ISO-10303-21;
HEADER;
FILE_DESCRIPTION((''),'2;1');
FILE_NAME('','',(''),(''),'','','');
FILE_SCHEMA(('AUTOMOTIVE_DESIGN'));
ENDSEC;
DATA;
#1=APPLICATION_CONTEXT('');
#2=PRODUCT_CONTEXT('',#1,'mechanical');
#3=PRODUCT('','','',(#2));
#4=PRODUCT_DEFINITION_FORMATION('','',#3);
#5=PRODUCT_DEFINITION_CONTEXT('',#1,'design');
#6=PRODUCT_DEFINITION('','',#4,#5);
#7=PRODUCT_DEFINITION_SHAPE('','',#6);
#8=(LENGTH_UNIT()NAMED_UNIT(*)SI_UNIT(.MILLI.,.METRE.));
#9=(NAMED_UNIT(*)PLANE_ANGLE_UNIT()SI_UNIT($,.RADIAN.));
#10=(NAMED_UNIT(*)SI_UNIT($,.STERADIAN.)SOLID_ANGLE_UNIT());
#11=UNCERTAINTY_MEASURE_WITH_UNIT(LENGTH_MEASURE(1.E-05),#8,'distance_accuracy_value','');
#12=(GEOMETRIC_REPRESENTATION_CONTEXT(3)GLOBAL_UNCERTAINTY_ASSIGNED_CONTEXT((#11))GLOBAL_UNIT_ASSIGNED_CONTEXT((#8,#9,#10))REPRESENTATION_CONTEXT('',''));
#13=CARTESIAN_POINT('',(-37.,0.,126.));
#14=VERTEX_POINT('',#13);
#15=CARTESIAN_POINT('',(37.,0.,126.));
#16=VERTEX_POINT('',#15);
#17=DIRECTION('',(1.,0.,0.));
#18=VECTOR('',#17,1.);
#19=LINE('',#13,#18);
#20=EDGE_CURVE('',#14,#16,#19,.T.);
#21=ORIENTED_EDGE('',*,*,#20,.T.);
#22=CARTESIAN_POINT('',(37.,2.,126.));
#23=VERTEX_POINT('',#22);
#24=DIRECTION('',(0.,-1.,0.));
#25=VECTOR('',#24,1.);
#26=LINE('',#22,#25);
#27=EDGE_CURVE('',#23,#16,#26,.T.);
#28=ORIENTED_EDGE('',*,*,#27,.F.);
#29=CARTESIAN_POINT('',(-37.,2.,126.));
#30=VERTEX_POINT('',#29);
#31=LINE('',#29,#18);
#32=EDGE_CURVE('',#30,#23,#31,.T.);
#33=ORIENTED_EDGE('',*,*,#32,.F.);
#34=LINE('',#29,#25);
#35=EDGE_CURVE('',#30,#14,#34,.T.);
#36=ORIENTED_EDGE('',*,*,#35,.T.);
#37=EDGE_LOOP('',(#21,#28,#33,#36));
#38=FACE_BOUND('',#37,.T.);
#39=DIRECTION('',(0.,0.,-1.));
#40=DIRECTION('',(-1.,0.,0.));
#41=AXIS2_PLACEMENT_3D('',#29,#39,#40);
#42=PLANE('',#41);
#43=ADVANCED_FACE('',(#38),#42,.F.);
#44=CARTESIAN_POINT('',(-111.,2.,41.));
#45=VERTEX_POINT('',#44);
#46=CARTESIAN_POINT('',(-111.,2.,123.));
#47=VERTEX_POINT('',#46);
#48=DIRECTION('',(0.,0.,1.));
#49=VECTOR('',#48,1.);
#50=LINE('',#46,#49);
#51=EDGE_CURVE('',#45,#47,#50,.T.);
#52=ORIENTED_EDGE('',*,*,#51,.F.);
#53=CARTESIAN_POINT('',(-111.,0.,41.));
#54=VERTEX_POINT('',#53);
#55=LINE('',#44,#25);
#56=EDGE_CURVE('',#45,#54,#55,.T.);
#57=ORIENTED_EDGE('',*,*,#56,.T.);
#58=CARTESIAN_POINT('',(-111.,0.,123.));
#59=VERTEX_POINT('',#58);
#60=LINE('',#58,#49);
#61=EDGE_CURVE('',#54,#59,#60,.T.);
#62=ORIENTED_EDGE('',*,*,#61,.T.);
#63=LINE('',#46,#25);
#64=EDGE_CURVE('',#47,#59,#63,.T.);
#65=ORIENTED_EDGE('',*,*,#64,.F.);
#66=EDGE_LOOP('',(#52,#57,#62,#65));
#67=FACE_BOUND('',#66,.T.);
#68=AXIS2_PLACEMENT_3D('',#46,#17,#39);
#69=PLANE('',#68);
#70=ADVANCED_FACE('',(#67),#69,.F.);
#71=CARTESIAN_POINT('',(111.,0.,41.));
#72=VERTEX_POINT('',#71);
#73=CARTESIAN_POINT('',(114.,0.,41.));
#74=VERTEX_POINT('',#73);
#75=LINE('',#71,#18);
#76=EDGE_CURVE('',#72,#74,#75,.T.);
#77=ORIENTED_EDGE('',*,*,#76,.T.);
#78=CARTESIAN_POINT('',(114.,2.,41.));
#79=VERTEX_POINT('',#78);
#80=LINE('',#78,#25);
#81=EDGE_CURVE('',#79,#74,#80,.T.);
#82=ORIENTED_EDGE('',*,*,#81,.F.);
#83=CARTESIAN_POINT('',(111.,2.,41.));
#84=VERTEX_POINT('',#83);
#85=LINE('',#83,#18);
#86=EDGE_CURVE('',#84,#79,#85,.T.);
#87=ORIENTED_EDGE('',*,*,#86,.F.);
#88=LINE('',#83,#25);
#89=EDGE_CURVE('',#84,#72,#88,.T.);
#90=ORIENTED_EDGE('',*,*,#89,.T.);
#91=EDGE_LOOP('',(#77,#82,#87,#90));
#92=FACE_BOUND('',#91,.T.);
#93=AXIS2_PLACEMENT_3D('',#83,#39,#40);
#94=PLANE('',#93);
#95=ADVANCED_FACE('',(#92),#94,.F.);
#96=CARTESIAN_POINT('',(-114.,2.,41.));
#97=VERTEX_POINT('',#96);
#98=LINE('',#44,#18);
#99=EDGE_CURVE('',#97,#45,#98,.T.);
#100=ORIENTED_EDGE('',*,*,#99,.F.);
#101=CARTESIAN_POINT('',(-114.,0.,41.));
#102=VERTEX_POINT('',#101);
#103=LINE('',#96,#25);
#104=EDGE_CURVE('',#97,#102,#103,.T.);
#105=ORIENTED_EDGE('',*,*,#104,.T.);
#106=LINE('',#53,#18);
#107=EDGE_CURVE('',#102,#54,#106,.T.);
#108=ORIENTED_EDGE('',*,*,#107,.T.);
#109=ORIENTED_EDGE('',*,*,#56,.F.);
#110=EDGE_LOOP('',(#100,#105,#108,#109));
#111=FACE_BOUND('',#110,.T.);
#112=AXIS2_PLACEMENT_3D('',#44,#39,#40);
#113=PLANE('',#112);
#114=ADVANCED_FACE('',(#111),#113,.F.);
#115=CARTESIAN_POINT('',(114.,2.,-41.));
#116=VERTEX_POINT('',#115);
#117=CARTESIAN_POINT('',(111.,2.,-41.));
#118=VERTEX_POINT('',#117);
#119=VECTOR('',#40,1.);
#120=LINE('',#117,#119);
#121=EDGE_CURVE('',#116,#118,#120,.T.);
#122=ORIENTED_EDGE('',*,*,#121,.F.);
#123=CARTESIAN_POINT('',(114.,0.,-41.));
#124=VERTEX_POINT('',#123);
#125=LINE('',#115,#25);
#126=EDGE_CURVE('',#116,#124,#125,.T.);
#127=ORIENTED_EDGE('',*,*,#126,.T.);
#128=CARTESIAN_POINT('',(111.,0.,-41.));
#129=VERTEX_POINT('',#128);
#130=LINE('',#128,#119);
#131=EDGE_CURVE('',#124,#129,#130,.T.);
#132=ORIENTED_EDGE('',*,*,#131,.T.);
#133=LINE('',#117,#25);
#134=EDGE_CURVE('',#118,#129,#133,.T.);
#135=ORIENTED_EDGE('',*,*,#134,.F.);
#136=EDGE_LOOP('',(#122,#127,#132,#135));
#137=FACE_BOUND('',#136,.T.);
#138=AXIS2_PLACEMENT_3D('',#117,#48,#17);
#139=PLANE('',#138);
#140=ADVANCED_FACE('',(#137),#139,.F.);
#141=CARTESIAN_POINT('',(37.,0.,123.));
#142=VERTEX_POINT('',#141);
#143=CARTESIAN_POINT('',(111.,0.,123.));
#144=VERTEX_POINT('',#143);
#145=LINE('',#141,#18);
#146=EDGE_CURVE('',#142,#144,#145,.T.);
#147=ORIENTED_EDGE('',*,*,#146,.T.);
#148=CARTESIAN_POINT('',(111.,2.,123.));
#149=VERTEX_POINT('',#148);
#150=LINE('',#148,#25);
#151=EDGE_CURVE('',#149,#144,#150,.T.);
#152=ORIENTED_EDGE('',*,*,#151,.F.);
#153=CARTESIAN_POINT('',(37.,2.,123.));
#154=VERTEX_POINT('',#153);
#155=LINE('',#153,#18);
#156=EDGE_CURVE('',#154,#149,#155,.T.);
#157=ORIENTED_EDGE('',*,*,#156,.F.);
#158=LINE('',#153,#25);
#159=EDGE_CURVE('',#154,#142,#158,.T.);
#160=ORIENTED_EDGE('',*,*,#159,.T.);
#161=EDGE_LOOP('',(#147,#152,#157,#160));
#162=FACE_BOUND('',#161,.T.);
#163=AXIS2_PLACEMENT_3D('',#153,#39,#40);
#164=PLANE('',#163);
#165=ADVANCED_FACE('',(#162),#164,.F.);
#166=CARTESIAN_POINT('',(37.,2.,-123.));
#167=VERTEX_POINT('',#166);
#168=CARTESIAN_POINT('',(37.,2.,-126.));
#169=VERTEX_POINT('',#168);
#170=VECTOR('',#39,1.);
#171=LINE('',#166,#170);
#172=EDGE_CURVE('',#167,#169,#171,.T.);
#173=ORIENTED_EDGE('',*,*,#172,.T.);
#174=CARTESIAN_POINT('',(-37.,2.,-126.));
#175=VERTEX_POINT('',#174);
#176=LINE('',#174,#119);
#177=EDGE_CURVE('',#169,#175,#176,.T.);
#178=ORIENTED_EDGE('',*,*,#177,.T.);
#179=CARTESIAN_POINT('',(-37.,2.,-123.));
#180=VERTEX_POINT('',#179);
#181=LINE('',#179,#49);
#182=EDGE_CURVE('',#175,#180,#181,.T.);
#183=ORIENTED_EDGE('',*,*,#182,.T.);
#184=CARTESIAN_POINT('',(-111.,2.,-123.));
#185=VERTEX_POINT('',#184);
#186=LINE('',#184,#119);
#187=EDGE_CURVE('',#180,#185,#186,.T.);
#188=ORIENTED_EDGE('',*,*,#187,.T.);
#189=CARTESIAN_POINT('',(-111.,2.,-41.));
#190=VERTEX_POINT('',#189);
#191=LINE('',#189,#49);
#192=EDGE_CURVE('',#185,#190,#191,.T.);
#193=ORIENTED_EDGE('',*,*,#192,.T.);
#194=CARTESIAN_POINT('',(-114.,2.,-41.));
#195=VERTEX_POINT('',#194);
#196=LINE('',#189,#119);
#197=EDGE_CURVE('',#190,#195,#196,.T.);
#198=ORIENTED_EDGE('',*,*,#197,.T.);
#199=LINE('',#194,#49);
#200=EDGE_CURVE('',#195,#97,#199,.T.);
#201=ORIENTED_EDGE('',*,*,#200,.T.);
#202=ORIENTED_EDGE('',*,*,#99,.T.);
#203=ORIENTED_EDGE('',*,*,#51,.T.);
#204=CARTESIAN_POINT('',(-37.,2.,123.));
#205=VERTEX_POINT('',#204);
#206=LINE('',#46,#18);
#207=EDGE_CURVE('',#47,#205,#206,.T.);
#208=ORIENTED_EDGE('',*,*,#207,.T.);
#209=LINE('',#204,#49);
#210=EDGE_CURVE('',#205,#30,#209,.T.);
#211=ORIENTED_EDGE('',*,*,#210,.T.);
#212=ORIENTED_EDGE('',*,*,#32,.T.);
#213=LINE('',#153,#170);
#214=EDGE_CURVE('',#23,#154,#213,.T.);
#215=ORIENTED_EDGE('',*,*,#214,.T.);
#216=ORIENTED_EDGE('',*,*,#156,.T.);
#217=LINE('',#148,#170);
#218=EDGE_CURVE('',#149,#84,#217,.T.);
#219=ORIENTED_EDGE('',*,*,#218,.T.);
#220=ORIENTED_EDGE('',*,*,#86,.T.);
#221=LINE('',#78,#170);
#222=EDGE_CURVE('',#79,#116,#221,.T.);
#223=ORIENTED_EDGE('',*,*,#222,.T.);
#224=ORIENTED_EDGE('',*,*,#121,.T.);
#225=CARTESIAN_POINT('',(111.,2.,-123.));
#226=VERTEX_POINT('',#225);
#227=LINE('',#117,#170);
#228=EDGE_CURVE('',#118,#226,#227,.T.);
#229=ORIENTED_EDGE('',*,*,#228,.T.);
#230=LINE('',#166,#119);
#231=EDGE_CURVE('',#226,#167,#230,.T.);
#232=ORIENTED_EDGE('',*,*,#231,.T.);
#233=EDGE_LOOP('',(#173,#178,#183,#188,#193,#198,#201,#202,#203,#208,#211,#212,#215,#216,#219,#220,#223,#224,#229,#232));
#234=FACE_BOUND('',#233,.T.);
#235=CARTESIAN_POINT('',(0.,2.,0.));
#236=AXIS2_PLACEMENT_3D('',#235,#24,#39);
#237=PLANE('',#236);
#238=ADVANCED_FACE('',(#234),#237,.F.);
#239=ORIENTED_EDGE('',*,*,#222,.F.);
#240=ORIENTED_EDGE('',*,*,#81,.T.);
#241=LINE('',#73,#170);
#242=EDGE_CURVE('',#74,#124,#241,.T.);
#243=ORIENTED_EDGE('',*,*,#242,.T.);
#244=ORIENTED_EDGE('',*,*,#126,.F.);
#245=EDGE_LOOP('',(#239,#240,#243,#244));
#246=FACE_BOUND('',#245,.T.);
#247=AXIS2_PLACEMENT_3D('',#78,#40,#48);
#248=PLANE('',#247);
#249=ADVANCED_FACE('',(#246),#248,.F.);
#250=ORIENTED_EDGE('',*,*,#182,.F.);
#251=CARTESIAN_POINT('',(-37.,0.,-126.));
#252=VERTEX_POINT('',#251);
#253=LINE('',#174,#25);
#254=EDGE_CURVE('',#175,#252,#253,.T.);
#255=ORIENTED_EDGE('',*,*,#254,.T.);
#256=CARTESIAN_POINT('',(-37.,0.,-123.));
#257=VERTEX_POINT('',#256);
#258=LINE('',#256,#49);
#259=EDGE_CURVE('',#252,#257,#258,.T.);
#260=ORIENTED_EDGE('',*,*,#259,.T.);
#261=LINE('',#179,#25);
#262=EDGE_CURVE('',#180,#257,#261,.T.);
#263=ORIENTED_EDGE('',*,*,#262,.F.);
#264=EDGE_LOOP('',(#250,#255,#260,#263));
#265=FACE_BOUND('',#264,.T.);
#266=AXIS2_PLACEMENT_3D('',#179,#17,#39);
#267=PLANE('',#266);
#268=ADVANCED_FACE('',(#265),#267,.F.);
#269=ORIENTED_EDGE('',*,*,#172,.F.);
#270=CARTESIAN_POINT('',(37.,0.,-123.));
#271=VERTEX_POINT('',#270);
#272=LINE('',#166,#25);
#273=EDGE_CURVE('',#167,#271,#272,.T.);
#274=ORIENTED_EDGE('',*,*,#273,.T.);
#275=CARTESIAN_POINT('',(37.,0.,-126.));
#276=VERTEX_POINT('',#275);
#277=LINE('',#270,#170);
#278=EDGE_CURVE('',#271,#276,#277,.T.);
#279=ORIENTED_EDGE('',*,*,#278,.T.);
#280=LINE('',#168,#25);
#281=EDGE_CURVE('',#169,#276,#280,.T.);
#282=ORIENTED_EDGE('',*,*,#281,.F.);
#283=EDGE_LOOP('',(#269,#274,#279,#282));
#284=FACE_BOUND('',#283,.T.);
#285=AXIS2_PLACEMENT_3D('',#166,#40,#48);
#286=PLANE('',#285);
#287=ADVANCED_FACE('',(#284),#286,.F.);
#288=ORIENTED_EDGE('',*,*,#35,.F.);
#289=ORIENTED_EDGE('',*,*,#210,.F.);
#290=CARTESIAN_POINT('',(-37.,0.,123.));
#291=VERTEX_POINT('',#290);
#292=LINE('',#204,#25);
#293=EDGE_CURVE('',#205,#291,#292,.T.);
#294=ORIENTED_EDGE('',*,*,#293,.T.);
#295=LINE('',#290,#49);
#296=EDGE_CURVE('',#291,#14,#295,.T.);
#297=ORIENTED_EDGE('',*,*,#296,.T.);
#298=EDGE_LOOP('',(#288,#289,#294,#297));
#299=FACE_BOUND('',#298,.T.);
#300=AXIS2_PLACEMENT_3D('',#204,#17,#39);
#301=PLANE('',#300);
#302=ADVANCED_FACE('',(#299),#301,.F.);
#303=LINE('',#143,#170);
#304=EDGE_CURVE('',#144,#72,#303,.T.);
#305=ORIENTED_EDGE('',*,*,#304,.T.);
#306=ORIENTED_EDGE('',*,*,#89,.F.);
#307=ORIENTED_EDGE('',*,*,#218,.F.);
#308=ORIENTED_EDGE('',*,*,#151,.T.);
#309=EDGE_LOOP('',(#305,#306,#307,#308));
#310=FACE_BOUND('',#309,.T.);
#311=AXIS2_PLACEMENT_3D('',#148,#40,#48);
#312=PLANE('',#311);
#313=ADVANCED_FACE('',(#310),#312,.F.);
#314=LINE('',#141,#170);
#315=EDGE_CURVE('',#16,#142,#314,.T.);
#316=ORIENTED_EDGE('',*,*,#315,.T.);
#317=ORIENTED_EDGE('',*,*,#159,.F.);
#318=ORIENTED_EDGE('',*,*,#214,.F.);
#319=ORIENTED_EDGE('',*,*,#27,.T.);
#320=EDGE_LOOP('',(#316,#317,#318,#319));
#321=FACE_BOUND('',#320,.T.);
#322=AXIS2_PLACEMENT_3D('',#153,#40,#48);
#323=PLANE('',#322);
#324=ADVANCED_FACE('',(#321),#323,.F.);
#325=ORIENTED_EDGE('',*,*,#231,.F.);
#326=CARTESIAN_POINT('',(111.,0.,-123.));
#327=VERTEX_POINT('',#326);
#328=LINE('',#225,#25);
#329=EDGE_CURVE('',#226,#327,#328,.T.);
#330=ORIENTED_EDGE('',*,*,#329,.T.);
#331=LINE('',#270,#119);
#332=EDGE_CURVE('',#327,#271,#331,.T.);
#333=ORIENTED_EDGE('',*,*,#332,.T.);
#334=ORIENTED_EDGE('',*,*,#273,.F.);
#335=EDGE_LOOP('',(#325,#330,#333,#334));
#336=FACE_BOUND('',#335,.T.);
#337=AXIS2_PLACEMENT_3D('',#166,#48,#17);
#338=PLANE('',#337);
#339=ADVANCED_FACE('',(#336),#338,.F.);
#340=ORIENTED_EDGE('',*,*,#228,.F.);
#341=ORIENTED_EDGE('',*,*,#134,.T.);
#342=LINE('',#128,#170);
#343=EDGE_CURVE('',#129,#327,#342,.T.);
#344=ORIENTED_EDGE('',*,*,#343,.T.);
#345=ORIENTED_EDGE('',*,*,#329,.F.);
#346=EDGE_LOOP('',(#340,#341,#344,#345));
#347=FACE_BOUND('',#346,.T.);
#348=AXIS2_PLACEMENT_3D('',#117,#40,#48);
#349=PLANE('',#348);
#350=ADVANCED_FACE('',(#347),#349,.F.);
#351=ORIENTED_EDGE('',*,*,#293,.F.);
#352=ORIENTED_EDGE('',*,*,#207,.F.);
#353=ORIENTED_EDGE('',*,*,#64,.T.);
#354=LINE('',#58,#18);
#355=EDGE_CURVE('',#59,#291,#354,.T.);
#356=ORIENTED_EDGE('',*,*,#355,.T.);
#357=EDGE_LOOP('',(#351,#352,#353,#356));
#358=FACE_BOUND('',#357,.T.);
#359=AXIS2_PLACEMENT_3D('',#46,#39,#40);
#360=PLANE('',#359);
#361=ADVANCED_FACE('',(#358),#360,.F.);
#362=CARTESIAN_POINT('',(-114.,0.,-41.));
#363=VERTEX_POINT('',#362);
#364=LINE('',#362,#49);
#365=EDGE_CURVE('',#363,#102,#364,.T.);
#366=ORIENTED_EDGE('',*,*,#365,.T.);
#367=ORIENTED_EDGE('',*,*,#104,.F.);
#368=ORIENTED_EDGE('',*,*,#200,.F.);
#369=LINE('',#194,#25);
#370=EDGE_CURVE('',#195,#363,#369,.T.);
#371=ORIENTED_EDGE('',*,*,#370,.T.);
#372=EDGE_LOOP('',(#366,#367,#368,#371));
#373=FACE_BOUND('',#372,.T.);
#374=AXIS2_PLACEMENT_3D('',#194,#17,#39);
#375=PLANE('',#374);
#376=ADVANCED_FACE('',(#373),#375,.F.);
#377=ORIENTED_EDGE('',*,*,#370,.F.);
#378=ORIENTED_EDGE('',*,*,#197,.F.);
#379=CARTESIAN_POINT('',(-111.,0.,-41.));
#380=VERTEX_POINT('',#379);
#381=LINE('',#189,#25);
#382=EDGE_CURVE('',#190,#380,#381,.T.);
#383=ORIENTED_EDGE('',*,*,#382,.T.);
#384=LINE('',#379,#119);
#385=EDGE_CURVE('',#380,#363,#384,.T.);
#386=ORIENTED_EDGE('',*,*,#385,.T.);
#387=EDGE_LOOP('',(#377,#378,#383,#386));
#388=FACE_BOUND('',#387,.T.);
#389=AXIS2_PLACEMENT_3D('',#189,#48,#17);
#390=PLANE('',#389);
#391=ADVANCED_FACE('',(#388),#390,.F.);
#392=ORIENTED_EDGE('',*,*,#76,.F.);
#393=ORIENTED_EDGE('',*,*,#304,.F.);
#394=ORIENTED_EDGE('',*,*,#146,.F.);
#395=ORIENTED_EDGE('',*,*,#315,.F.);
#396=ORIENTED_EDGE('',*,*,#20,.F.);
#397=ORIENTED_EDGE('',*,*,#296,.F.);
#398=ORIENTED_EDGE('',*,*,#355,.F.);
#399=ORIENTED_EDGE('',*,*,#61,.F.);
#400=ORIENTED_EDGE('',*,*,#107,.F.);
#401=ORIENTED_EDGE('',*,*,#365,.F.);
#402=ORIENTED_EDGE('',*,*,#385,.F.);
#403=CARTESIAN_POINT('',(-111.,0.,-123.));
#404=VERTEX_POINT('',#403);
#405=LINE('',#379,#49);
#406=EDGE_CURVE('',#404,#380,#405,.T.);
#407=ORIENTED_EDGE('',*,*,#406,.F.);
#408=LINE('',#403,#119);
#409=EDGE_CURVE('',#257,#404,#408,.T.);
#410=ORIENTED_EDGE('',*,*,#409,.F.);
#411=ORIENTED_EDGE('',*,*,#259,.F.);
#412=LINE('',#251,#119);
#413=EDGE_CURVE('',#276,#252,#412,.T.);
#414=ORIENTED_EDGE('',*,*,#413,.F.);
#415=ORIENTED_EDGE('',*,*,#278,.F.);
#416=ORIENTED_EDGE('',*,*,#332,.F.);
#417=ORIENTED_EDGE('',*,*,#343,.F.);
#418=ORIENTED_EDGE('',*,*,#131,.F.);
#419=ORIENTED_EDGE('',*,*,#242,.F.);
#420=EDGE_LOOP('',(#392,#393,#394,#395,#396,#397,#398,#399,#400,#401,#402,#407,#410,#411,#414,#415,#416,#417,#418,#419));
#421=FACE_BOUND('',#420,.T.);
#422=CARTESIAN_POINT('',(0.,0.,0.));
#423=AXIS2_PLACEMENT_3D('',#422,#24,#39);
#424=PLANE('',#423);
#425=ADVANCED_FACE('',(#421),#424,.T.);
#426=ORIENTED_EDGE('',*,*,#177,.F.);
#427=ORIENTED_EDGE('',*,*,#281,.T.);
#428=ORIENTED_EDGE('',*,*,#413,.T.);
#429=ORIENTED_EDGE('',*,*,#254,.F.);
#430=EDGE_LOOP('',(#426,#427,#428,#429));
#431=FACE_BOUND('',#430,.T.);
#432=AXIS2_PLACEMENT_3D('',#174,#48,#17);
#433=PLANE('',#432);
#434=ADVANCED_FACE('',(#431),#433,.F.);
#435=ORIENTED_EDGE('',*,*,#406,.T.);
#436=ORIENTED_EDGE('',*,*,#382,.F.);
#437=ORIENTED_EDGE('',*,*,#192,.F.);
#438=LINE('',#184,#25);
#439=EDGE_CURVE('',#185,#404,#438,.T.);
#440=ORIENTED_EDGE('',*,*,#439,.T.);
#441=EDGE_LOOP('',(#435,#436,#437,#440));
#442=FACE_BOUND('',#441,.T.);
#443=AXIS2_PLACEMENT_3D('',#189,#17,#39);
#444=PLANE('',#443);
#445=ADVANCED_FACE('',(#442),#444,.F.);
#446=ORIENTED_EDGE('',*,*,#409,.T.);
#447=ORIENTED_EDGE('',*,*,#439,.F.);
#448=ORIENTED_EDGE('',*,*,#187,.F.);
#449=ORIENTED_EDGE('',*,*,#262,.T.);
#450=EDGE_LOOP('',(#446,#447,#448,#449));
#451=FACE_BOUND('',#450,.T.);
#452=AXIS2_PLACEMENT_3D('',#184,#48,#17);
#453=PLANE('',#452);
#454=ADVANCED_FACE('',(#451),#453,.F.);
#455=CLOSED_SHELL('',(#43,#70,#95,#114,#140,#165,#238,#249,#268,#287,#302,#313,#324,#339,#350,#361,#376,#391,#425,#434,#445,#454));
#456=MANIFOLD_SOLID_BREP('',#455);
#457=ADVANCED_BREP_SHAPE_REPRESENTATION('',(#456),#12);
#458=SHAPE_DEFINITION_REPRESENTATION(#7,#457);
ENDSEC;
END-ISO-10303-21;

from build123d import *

# Parameters (mm, degrees)
BOSS_EXTRUDE1_DEPTH = 2


with BuildPart() as part:
    # Sketch1 → Boss-Extrude1 (new body)
    with BuildSketch(Plane(origin=(0, 0, 0), x_dir=(1, 0, 0), z_dir=(0, 1, 0))):
        Polygon((37, 123), (111, 123), (111, 41), (114, 41), (114, -41), (111, -41), (111, -123), (37, -123), (37, -126), (-37, -126), (-37, -123), (-111, -123), (-111, -41), (-114, -41), (-114, 41), (-111, 41), (-111, 123), (-37, 123), (-37, 126), (37, 126), align=None)
    extrude(amount=BOSS_EXTRUDE1_DEPTH)


solid = part.part
